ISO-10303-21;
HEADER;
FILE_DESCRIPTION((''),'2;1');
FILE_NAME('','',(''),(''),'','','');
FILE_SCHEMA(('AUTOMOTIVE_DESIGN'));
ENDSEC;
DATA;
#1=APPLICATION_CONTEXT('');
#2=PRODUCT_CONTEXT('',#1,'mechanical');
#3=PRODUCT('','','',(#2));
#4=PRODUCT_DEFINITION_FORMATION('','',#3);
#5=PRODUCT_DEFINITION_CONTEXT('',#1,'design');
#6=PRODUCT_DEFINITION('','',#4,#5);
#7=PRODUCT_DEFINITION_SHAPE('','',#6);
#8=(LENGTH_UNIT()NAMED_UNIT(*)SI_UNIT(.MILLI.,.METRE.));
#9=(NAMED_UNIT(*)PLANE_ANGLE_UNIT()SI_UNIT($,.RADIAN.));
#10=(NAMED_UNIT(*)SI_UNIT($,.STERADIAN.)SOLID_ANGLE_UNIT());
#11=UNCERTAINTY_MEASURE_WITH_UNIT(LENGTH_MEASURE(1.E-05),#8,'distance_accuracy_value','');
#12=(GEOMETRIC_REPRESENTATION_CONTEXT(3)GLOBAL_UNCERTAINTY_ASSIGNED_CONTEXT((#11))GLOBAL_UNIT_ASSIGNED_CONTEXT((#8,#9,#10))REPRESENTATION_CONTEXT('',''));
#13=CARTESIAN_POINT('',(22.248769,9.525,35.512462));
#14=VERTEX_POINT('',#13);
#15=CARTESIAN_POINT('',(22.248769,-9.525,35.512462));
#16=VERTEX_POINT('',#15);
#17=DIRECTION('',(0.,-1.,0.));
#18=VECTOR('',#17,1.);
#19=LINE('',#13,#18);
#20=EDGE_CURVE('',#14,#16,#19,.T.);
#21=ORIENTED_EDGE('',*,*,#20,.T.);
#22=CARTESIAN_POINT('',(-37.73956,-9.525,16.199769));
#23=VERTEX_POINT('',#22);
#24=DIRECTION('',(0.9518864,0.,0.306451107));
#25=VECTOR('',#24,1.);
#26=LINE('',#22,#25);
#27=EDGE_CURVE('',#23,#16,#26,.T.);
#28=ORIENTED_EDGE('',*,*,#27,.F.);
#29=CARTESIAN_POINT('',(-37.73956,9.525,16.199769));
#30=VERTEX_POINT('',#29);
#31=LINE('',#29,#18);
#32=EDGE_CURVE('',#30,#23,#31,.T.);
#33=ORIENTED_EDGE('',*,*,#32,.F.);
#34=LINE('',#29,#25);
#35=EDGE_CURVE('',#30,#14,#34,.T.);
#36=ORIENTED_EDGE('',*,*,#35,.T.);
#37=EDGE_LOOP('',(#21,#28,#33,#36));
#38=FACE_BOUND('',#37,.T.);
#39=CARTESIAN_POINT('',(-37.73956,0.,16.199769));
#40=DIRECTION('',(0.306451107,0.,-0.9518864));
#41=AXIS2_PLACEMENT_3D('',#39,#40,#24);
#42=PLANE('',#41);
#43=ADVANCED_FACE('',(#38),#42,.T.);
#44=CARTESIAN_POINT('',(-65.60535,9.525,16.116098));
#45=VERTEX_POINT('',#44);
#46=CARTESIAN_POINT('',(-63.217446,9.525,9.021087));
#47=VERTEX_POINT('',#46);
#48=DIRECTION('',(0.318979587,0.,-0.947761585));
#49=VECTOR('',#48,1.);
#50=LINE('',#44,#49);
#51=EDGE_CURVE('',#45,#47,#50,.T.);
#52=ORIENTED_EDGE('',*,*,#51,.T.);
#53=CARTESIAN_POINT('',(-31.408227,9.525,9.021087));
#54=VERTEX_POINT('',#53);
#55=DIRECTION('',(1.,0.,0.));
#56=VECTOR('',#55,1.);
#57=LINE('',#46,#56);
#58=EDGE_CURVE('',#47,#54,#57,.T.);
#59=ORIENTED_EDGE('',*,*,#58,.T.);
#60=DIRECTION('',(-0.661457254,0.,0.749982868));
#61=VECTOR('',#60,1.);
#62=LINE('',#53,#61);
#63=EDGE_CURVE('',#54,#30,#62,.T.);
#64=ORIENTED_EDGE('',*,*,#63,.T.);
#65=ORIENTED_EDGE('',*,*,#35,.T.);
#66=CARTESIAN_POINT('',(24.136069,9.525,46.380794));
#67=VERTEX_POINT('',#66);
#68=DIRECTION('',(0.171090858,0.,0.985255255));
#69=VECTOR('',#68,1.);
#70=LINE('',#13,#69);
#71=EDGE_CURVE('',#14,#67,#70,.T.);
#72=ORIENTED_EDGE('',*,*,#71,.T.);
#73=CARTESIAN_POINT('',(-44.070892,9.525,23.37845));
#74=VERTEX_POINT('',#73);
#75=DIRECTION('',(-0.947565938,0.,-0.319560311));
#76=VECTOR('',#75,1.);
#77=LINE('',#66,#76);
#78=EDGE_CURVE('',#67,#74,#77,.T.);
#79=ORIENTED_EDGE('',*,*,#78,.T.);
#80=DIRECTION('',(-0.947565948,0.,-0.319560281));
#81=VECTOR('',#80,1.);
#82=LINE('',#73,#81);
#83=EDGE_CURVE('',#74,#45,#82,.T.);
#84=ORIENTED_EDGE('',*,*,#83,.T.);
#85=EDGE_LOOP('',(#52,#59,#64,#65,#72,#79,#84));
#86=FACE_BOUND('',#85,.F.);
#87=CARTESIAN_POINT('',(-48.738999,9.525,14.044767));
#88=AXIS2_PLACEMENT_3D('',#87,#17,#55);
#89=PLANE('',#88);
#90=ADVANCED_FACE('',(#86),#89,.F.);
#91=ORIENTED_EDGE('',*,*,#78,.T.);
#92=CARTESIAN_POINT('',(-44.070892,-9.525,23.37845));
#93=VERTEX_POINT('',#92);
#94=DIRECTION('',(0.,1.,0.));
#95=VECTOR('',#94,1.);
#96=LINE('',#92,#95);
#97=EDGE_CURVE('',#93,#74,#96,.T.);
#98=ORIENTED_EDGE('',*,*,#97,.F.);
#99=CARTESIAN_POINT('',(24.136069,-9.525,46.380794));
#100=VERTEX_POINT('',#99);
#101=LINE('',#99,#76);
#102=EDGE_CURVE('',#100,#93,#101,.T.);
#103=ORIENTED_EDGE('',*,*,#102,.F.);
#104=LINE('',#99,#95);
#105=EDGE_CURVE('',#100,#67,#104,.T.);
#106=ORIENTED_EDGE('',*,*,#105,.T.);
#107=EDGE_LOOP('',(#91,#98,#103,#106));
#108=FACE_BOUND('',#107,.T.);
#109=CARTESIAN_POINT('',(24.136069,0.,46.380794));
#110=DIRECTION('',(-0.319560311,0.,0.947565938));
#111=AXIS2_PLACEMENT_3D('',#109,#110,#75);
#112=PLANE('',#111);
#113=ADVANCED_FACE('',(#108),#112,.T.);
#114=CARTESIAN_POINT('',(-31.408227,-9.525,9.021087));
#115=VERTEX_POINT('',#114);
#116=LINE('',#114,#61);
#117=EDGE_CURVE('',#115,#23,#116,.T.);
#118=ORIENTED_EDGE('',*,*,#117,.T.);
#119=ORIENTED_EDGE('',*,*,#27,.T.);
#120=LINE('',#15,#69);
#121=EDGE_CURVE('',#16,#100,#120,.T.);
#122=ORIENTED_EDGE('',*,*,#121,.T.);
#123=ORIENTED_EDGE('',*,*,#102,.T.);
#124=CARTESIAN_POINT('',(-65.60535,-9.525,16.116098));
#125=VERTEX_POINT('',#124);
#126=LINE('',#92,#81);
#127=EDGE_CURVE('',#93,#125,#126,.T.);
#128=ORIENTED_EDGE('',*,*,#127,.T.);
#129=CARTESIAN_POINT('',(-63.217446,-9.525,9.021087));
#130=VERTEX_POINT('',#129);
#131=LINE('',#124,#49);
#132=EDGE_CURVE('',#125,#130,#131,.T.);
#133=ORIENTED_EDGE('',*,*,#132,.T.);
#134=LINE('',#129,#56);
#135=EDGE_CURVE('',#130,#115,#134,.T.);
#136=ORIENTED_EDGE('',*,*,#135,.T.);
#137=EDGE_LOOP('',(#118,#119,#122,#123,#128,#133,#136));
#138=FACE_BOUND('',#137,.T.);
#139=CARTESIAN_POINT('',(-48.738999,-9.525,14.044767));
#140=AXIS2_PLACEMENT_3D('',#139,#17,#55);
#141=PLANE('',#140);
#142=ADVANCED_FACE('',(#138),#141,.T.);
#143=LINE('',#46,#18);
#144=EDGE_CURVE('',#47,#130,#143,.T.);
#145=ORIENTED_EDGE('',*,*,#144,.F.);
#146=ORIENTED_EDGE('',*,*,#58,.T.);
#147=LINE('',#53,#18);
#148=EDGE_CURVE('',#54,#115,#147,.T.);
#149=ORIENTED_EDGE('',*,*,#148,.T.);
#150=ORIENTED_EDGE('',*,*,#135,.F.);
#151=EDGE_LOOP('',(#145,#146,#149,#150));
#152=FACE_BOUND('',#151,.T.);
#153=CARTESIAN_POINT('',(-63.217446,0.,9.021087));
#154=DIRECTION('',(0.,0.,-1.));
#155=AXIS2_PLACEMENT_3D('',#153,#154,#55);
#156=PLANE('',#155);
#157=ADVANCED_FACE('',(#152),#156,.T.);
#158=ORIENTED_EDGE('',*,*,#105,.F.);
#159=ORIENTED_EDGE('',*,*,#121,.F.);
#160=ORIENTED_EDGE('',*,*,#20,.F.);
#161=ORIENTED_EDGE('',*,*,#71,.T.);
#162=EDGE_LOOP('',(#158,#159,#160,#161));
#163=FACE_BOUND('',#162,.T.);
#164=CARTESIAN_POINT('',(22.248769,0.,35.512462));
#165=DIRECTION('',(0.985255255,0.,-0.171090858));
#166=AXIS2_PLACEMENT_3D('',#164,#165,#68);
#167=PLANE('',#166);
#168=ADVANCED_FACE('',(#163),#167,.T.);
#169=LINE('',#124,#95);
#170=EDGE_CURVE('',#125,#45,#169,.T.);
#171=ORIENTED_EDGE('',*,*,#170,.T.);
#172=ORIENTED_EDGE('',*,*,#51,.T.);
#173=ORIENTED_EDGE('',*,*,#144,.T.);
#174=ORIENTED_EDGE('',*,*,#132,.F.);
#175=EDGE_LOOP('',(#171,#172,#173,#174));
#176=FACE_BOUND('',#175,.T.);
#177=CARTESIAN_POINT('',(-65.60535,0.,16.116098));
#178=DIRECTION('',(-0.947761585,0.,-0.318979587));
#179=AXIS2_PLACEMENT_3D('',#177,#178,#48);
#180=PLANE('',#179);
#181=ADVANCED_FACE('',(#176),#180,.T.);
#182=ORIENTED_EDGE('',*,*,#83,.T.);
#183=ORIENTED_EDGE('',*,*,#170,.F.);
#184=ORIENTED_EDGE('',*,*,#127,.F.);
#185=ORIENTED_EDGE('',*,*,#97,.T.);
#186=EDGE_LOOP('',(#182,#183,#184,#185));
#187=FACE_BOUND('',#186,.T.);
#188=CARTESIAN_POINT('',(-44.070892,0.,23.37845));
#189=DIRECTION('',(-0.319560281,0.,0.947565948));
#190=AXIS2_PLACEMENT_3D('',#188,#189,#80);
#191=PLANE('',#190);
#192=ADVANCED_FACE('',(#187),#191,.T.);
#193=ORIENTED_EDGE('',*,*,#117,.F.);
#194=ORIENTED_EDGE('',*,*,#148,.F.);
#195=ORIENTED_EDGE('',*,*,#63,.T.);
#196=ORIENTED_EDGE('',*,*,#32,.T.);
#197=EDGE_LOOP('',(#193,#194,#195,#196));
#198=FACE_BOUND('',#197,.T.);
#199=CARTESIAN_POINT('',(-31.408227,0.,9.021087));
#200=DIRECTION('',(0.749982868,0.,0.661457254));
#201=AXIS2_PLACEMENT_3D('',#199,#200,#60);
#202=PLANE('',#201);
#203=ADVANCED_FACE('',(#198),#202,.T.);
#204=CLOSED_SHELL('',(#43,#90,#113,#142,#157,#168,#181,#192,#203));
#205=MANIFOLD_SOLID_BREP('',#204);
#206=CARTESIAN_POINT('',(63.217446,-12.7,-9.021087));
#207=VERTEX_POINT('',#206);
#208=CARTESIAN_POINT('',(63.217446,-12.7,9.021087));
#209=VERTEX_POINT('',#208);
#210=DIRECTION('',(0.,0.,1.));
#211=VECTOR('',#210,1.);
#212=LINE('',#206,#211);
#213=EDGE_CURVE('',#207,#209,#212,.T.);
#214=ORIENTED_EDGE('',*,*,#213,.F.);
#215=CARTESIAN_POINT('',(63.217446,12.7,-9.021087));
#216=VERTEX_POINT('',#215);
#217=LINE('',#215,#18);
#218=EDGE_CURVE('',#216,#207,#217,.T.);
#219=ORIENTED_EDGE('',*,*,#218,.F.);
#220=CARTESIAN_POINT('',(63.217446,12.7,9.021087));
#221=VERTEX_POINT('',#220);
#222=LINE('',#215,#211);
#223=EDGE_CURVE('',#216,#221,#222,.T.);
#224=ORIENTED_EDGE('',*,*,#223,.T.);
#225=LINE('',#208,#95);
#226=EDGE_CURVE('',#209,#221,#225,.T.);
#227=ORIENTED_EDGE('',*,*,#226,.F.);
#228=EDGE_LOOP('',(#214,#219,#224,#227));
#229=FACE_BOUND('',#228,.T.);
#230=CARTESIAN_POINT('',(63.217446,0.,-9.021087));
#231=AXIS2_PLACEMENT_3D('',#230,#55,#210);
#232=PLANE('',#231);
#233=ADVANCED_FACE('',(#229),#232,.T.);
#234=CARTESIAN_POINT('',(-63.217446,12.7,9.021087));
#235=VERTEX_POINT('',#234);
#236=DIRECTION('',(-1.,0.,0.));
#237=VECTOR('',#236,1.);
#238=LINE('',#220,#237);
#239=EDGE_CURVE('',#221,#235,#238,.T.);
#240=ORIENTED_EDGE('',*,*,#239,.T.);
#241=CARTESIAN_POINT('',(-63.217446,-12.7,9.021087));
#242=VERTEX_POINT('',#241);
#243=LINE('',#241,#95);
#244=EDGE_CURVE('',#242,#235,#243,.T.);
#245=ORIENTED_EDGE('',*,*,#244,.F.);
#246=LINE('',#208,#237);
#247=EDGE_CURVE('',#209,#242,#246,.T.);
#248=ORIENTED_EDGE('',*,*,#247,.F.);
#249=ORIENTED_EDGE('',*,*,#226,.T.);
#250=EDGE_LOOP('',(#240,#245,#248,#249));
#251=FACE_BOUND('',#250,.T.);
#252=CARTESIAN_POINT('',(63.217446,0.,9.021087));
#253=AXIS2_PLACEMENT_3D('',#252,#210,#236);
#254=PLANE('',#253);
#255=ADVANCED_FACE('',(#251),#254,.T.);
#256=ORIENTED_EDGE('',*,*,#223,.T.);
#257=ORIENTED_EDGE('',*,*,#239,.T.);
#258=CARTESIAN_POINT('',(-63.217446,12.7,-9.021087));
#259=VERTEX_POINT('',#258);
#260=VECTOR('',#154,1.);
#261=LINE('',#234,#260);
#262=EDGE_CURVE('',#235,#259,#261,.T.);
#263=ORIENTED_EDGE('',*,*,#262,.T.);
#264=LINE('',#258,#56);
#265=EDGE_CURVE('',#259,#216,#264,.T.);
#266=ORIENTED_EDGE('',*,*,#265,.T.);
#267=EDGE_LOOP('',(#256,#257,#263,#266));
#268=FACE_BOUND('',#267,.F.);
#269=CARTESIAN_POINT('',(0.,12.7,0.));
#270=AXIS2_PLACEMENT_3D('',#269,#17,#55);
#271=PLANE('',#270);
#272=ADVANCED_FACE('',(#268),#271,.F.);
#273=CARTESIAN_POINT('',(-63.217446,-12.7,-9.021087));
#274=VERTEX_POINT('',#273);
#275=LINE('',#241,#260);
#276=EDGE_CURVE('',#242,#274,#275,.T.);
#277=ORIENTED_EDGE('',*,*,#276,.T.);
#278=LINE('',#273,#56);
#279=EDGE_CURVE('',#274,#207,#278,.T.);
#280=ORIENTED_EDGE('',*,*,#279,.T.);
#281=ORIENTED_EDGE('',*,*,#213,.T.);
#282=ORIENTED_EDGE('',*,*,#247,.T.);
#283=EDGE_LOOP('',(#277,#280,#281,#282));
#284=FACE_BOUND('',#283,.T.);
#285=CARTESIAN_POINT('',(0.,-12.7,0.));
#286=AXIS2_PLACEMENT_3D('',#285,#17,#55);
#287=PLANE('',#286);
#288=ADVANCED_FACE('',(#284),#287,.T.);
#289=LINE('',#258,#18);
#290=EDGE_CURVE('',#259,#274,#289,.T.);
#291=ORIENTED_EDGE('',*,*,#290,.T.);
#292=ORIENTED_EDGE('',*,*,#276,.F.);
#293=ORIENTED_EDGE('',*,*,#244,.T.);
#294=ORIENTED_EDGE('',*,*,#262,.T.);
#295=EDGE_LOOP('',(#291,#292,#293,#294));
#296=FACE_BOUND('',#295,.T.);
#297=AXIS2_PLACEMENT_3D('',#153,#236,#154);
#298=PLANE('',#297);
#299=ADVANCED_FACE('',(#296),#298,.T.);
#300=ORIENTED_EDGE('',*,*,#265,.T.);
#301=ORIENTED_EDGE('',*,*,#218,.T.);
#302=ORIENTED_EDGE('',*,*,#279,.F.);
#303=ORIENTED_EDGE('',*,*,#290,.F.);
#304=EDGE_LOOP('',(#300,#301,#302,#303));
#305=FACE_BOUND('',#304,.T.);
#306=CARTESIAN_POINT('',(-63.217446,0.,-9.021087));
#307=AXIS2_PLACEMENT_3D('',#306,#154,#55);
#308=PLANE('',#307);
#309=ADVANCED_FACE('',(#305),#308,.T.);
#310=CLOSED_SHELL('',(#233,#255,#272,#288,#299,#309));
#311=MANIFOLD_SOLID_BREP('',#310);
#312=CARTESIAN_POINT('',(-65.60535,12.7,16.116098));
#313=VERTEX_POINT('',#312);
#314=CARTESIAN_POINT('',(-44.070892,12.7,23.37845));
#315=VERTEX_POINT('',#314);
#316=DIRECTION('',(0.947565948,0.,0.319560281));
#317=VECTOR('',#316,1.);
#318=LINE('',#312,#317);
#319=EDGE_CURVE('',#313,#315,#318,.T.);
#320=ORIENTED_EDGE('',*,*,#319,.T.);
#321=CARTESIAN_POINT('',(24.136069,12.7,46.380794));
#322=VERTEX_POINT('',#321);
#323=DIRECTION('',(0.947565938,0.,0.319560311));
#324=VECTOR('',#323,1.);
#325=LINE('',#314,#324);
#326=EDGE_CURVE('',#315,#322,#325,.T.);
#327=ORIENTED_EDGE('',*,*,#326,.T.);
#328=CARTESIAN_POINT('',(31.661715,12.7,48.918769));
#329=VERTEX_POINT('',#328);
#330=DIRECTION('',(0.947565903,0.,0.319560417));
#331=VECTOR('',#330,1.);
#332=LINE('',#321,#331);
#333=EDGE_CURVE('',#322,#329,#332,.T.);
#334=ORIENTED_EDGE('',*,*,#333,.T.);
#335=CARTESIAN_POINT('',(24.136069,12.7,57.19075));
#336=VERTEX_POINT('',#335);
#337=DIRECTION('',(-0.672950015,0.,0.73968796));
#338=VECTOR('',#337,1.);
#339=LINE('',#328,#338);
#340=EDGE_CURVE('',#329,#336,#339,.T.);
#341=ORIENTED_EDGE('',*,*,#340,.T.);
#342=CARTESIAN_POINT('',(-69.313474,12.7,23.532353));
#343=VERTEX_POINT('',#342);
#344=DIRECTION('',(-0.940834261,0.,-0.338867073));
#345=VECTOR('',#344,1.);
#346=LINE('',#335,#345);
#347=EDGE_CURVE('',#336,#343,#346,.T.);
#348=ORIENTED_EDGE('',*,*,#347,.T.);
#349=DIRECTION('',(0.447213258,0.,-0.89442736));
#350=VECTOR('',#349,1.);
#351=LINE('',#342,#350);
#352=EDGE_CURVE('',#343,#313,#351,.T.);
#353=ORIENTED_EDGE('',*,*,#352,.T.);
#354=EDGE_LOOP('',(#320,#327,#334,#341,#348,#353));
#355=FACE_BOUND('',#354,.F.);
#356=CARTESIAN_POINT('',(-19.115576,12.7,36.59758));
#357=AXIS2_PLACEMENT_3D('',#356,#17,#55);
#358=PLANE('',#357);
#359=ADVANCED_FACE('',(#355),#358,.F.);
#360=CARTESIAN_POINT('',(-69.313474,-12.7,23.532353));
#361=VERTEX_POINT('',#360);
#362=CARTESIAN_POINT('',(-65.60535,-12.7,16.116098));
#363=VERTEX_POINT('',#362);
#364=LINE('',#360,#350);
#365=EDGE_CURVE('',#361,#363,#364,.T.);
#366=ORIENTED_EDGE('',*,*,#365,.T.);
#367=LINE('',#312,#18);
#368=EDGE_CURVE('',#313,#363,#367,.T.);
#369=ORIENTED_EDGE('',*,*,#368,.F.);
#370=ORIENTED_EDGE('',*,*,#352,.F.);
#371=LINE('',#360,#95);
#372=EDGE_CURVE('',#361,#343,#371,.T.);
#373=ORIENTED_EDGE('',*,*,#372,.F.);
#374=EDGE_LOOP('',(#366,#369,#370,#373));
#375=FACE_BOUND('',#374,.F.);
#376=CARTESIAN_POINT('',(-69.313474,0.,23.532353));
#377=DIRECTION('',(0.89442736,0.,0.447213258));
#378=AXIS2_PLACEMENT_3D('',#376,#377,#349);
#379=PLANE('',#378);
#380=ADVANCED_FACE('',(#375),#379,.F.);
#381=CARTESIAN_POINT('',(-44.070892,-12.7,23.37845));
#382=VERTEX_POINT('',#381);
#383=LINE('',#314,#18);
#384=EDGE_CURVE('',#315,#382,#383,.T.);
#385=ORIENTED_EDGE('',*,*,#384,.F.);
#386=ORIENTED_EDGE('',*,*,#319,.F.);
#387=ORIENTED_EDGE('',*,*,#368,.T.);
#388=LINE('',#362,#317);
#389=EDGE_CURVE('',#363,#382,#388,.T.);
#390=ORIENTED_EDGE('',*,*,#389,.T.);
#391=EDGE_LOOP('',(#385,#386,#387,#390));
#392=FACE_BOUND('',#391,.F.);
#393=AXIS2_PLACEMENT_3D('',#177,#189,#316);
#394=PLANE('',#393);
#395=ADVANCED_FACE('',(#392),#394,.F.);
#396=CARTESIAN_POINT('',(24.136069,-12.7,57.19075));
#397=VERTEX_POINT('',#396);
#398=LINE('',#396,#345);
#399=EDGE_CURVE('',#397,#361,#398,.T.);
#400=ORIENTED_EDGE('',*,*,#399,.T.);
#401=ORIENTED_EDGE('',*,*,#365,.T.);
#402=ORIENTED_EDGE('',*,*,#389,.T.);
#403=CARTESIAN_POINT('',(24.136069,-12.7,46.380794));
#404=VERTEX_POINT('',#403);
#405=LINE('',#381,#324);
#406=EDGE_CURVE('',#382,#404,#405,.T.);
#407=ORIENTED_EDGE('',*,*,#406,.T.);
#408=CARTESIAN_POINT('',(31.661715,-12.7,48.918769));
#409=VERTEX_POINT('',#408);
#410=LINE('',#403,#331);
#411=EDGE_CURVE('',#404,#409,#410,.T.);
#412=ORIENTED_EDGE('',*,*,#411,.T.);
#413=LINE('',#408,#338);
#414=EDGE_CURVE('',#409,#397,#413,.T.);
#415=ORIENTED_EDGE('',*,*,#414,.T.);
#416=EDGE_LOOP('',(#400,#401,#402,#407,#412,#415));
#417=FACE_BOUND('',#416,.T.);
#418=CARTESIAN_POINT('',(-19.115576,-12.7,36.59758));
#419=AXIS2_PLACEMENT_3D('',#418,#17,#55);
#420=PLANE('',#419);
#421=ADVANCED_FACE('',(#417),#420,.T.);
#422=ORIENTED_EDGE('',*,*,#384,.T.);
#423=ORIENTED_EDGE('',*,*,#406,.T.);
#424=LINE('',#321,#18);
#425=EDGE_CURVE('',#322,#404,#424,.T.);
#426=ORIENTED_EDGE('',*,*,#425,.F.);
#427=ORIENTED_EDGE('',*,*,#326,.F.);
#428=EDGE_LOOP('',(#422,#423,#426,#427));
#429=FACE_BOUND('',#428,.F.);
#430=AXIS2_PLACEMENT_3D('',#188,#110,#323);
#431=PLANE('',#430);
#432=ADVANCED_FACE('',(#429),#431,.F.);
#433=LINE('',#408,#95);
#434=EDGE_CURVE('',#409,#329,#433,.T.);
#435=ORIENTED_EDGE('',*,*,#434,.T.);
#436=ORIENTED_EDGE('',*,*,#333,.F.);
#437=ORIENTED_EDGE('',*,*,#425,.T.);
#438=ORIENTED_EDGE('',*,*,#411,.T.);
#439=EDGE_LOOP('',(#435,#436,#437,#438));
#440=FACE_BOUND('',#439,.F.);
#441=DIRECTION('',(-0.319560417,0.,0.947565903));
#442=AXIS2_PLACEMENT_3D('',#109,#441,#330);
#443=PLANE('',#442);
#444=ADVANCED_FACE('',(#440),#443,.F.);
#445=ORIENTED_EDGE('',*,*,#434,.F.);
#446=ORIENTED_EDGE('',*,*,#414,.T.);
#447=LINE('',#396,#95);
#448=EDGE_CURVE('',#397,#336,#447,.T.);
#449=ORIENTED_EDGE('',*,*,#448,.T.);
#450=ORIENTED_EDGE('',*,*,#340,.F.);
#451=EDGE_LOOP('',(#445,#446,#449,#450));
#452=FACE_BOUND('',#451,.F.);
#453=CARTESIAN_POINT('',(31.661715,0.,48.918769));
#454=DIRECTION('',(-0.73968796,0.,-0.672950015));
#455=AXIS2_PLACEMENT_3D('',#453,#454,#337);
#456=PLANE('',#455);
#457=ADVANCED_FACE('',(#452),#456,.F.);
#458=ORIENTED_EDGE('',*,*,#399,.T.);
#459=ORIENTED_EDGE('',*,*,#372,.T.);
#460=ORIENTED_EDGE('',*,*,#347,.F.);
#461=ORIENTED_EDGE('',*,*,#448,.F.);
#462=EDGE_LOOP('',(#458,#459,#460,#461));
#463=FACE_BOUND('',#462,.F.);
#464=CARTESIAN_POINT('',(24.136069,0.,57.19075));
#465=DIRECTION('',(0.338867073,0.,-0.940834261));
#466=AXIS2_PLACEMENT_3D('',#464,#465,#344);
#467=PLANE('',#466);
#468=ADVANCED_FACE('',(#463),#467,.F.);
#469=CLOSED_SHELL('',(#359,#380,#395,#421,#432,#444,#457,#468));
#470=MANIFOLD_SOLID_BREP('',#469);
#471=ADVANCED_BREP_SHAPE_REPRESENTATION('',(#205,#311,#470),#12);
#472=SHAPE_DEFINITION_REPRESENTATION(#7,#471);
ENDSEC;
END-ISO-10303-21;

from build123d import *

# Parameters (mm, degrees)
F1_DEPTH = 12.7
F2_DEPTH = 9.525


with BuildPart() as f1:
    # F0 (on Front) → F1 (new body, symmetric)
    with BuildSketch(Plane.XZ):
        Polygon((-69.313474, 23.532353), (-65.60535, 16.116098), (-44.070892, 23.37845), (24.136069, 46.380794), (31.661715, 48.918769), (24.136069, 57.19075), align=None)
        Polygon((-31.408227, 9.021087), (-63.217446, 9.021087), (-63.217446, -9.021087), (63.217446, -9.021087), (63.217446, 9.021087), align=None)
    extrude(amount=F1_DEPTH, both=True)


with BuildPart() as f2:
    # F0 (on Front) → F2 (new body, symmetric)
    with BuildSketch(Plane.XZ):
        Polygon((-65.60535, 16.116098), (-63.217446, 9.021087), (-31.408227, 9.021087), (-37.73956, 16.199769), (-44.070892, 23.37845), align=None)
        Polygon((-44.070892, 23.37845), (-37.73956, 16.199769), (22.248769, 35.512462), (24.136069, 46.380794), align=None)
    extrude(amount=F2_DEPTH, both=True)


solid = Compound([f1.part, f2.part])
